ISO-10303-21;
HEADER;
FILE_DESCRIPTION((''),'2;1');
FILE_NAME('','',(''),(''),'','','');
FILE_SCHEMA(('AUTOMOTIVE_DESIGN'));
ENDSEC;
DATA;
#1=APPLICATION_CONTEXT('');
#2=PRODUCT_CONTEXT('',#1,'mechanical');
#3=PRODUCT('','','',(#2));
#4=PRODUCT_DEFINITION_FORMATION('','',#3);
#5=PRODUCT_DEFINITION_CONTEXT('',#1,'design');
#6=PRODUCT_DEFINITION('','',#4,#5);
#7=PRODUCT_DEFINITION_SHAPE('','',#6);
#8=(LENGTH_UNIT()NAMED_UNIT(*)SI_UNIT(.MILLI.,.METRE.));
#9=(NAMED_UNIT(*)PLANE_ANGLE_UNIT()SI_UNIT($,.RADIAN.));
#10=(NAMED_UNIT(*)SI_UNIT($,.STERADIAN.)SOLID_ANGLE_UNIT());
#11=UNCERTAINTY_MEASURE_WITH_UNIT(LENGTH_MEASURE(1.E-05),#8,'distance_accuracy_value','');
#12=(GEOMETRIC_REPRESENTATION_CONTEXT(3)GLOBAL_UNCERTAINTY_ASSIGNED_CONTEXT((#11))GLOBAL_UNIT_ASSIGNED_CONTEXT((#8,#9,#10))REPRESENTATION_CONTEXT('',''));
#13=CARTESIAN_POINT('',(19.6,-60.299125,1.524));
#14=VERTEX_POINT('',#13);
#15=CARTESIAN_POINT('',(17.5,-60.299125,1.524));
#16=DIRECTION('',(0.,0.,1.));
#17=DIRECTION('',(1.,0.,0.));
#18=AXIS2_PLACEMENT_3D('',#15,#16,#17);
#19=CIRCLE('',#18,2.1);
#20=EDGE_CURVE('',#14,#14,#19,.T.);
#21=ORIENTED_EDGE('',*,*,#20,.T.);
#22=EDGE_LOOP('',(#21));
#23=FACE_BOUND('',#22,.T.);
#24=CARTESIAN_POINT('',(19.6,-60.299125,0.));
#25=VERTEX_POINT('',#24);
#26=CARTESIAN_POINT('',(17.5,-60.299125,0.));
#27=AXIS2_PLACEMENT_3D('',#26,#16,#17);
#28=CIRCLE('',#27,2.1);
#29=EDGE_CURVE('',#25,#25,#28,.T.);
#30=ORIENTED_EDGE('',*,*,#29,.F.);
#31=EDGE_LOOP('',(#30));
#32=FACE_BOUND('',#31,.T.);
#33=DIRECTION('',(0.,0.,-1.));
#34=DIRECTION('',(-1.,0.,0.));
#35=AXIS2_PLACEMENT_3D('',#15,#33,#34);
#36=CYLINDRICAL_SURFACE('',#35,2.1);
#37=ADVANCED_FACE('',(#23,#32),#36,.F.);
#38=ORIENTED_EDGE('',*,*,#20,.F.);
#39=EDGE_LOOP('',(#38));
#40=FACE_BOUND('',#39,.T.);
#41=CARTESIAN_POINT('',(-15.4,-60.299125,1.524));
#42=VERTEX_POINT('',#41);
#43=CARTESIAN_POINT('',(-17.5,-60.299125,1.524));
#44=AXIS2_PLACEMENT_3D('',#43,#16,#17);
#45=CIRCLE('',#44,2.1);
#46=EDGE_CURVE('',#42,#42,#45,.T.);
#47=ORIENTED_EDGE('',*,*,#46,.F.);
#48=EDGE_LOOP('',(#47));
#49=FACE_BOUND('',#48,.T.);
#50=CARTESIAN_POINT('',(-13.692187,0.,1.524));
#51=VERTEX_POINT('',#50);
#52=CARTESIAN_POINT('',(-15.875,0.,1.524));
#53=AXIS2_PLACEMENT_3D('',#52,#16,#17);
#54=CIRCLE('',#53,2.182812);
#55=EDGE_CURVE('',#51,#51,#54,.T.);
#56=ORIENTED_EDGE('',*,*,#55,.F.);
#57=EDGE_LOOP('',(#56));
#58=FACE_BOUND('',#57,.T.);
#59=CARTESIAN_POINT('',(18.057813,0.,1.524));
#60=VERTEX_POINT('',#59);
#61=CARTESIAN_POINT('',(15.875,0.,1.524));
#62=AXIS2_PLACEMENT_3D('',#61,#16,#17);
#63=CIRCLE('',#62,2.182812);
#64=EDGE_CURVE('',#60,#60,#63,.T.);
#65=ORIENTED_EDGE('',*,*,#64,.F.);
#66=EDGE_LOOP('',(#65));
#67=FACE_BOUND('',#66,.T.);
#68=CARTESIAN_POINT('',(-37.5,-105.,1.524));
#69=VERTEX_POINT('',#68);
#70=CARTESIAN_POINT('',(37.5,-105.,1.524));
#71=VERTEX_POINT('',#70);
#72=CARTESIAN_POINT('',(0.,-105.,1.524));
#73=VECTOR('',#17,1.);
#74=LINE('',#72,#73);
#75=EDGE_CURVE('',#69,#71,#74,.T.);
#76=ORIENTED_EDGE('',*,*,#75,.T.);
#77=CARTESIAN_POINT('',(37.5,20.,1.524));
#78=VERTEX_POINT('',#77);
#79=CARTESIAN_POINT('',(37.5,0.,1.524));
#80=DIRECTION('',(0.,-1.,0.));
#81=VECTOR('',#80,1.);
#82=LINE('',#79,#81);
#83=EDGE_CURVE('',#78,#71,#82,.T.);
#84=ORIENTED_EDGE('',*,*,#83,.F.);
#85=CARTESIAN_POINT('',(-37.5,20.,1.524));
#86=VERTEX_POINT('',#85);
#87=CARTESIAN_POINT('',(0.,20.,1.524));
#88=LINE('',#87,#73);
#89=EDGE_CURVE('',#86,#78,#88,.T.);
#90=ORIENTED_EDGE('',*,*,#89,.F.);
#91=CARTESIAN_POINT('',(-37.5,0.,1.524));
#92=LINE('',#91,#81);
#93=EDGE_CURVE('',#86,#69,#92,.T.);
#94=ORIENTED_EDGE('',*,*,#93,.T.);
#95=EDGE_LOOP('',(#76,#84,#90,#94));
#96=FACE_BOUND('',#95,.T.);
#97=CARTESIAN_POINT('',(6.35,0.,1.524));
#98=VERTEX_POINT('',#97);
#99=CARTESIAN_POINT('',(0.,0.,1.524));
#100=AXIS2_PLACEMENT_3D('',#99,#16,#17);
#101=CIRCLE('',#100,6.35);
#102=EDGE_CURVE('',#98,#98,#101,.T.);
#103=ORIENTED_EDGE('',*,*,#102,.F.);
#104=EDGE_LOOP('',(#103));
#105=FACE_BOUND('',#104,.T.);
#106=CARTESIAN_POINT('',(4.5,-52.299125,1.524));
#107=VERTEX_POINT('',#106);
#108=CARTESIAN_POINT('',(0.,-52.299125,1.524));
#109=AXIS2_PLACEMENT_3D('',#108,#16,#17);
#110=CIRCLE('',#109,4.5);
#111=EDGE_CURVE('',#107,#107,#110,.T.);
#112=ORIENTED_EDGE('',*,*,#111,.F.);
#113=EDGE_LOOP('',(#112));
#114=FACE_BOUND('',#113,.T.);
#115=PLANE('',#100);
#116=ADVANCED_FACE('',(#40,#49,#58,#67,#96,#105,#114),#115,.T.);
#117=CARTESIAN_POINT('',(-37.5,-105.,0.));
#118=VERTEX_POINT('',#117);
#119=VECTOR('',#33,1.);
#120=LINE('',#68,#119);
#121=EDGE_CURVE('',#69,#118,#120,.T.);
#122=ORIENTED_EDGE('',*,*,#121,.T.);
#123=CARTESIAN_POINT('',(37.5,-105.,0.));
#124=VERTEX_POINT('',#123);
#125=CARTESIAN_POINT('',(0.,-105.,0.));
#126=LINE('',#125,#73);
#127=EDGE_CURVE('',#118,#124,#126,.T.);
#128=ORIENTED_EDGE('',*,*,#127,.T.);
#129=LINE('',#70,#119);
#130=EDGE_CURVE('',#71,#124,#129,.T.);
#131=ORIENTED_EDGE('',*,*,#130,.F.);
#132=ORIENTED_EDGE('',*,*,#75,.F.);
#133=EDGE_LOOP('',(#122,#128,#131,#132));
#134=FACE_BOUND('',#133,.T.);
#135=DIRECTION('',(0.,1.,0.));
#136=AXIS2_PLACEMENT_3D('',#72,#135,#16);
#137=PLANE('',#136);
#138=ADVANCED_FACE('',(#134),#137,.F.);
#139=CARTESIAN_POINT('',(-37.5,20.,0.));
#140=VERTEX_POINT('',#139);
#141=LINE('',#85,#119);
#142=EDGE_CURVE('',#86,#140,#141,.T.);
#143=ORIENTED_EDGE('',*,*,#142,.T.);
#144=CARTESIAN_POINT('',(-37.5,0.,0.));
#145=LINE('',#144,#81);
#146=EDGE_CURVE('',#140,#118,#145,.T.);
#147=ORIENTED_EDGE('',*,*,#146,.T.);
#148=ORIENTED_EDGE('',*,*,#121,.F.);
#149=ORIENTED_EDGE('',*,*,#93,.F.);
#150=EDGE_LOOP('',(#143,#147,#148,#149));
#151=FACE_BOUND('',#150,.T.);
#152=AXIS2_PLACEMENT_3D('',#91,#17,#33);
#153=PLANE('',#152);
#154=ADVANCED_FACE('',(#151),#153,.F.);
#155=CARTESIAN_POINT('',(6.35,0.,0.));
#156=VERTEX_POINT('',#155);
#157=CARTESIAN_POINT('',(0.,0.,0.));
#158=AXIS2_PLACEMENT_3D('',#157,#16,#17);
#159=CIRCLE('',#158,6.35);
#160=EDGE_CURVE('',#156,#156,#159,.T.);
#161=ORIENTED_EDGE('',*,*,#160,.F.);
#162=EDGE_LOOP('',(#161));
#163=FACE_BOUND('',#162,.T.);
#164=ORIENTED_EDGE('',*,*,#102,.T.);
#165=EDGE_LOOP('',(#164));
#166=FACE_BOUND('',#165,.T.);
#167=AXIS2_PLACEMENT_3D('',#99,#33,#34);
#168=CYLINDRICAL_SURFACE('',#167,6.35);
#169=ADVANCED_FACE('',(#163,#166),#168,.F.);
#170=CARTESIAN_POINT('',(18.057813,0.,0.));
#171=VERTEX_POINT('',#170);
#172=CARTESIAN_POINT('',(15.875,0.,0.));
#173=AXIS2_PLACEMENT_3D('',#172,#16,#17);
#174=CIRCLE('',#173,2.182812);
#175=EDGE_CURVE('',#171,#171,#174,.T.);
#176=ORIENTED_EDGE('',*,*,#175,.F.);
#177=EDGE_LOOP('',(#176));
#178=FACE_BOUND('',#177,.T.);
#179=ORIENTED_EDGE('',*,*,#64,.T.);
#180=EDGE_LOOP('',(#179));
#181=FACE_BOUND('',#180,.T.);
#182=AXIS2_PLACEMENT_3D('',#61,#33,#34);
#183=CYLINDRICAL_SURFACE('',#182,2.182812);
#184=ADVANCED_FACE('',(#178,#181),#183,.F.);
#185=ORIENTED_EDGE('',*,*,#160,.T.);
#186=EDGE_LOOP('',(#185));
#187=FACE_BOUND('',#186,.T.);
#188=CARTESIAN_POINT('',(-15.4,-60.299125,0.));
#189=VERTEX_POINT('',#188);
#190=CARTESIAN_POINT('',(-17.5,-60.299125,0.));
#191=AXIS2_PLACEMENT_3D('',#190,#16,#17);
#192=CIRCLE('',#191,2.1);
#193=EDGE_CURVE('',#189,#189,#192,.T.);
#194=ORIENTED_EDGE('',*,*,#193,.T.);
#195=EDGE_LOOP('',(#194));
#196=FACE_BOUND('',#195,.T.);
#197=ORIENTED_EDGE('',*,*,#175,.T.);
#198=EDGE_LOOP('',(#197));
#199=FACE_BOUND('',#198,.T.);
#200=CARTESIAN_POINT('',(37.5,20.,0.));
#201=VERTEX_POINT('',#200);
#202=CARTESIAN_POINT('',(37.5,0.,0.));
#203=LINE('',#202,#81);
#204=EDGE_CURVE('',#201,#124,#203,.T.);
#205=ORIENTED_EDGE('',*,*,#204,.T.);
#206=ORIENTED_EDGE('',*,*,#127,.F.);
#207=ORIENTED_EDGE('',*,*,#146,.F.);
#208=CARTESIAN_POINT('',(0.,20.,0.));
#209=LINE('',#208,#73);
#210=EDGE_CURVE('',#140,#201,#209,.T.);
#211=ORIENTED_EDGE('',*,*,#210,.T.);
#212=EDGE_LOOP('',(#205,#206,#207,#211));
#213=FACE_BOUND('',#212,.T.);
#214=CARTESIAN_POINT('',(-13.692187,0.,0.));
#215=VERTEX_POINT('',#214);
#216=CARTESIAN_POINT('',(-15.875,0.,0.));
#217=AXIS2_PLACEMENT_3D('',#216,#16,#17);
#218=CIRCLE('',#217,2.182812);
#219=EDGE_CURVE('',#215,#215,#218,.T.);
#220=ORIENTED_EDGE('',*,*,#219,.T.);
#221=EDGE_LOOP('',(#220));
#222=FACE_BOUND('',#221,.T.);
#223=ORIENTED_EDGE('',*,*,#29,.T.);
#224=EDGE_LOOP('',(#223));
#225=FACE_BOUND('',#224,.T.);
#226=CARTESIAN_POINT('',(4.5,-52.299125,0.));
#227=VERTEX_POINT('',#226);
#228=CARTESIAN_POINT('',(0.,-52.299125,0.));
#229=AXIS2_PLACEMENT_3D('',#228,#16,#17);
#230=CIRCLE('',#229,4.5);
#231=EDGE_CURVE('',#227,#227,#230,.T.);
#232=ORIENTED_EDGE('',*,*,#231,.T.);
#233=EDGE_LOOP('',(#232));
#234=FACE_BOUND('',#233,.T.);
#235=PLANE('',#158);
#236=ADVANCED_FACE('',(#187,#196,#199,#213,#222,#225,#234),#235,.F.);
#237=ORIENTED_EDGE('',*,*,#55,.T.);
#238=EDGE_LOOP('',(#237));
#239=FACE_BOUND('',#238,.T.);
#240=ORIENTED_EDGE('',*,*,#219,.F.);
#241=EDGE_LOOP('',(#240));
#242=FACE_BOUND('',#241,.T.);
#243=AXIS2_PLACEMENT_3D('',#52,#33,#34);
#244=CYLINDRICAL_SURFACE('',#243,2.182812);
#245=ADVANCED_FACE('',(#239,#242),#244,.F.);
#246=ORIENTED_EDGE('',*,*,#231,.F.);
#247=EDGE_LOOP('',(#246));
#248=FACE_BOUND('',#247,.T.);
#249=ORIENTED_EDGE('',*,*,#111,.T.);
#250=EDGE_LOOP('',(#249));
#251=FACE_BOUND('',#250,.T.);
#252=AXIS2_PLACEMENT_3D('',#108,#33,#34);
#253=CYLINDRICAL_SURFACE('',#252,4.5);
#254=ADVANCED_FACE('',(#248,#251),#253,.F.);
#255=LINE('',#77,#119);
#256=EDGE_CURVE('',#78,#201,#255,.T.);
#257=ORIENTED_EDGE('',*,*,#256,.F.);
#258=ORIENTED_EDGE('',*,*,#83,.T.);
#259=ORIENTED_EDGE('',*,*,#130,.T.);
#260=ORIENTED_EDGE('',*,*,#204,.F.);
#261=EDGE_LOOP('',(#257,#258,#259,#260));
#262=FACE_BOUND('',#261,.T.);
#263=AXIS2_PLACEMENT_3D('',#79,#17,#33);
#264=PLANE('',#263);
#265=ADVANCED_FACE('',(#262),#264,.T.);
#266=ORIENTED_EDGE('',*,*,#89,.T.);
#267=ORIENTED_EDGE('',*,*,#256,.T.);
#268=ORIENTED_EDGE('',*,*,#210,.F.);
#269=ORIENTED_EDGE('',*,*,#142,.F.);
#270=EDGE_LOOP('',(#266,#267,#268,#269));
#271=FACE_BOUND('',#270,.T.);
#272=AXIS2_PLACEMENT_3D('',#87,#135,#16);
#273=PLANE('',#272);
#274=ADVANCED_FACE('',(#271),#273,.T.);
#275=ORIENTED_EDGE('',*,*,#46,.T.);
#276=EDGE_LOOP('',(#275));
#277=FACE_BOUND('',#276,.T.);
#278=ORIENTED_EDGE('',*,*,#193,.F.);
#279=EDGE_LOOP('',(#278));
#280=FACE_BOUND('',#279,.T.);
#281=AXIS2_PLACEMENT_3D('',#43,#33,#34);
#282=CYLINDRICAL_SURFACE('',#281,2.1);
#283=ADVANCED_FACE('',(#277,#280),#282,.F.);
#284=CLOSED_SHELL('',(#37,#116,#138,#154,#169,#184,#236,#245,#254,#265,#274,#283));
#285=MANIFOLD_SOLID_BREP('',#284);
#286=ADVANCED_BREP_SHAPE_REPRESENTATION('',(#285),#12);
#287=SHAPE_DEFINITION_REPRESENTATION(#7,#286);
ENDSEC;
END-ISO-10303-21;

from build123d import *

# Parameters (mm, degrees)
SKETCH1_W           = 75
SKETCH1_H           = 125
SKETCH1_R           = 4.5
SKETCH1_R_2         = 6.35
SKETCH1_R_3         = 2.1
SKETCH1_R_4         = 2.1828125
BOSS_EXTRUDE1_DEPTH = 1.524


with BuildPart() as part:
    # Sketch1 → Boss-Extrude1 (new body)
    with BuildSketch(Plane.XY):
        with Locations((0, -42.5)):
            Rectangle(SKETCH1_W, SKETCH1_H)
        with Locations((0, -52.299124508)):
            Circle(SKETCH1_R, mode=Mode.SUBTRACT)
        Circle(SKETCH1_R_2, mode=Mode.SUBTRACT)
        with Locations((-17.5, -60.299124508)):
            Circle(SKETCH1_R_3, mode=Mode.SUBTRACT)
        with Locations((17.5, -60.299124508)):
            Circle(SKETCH1_R_3, mode=Mode.SUBTRACT)
        with Locations((-15.875, 0)):
            Circle(SKETCH1_R_4, mode=Mode.SUBTRACT)
        with Locations((15.875, 0)):
            Circle(SKETCH1_R_4, mode=Mode.SUBTRACT)
    extrude(amount=BOSS_EXTRUDE1_DEPTH)


solid = part.part
